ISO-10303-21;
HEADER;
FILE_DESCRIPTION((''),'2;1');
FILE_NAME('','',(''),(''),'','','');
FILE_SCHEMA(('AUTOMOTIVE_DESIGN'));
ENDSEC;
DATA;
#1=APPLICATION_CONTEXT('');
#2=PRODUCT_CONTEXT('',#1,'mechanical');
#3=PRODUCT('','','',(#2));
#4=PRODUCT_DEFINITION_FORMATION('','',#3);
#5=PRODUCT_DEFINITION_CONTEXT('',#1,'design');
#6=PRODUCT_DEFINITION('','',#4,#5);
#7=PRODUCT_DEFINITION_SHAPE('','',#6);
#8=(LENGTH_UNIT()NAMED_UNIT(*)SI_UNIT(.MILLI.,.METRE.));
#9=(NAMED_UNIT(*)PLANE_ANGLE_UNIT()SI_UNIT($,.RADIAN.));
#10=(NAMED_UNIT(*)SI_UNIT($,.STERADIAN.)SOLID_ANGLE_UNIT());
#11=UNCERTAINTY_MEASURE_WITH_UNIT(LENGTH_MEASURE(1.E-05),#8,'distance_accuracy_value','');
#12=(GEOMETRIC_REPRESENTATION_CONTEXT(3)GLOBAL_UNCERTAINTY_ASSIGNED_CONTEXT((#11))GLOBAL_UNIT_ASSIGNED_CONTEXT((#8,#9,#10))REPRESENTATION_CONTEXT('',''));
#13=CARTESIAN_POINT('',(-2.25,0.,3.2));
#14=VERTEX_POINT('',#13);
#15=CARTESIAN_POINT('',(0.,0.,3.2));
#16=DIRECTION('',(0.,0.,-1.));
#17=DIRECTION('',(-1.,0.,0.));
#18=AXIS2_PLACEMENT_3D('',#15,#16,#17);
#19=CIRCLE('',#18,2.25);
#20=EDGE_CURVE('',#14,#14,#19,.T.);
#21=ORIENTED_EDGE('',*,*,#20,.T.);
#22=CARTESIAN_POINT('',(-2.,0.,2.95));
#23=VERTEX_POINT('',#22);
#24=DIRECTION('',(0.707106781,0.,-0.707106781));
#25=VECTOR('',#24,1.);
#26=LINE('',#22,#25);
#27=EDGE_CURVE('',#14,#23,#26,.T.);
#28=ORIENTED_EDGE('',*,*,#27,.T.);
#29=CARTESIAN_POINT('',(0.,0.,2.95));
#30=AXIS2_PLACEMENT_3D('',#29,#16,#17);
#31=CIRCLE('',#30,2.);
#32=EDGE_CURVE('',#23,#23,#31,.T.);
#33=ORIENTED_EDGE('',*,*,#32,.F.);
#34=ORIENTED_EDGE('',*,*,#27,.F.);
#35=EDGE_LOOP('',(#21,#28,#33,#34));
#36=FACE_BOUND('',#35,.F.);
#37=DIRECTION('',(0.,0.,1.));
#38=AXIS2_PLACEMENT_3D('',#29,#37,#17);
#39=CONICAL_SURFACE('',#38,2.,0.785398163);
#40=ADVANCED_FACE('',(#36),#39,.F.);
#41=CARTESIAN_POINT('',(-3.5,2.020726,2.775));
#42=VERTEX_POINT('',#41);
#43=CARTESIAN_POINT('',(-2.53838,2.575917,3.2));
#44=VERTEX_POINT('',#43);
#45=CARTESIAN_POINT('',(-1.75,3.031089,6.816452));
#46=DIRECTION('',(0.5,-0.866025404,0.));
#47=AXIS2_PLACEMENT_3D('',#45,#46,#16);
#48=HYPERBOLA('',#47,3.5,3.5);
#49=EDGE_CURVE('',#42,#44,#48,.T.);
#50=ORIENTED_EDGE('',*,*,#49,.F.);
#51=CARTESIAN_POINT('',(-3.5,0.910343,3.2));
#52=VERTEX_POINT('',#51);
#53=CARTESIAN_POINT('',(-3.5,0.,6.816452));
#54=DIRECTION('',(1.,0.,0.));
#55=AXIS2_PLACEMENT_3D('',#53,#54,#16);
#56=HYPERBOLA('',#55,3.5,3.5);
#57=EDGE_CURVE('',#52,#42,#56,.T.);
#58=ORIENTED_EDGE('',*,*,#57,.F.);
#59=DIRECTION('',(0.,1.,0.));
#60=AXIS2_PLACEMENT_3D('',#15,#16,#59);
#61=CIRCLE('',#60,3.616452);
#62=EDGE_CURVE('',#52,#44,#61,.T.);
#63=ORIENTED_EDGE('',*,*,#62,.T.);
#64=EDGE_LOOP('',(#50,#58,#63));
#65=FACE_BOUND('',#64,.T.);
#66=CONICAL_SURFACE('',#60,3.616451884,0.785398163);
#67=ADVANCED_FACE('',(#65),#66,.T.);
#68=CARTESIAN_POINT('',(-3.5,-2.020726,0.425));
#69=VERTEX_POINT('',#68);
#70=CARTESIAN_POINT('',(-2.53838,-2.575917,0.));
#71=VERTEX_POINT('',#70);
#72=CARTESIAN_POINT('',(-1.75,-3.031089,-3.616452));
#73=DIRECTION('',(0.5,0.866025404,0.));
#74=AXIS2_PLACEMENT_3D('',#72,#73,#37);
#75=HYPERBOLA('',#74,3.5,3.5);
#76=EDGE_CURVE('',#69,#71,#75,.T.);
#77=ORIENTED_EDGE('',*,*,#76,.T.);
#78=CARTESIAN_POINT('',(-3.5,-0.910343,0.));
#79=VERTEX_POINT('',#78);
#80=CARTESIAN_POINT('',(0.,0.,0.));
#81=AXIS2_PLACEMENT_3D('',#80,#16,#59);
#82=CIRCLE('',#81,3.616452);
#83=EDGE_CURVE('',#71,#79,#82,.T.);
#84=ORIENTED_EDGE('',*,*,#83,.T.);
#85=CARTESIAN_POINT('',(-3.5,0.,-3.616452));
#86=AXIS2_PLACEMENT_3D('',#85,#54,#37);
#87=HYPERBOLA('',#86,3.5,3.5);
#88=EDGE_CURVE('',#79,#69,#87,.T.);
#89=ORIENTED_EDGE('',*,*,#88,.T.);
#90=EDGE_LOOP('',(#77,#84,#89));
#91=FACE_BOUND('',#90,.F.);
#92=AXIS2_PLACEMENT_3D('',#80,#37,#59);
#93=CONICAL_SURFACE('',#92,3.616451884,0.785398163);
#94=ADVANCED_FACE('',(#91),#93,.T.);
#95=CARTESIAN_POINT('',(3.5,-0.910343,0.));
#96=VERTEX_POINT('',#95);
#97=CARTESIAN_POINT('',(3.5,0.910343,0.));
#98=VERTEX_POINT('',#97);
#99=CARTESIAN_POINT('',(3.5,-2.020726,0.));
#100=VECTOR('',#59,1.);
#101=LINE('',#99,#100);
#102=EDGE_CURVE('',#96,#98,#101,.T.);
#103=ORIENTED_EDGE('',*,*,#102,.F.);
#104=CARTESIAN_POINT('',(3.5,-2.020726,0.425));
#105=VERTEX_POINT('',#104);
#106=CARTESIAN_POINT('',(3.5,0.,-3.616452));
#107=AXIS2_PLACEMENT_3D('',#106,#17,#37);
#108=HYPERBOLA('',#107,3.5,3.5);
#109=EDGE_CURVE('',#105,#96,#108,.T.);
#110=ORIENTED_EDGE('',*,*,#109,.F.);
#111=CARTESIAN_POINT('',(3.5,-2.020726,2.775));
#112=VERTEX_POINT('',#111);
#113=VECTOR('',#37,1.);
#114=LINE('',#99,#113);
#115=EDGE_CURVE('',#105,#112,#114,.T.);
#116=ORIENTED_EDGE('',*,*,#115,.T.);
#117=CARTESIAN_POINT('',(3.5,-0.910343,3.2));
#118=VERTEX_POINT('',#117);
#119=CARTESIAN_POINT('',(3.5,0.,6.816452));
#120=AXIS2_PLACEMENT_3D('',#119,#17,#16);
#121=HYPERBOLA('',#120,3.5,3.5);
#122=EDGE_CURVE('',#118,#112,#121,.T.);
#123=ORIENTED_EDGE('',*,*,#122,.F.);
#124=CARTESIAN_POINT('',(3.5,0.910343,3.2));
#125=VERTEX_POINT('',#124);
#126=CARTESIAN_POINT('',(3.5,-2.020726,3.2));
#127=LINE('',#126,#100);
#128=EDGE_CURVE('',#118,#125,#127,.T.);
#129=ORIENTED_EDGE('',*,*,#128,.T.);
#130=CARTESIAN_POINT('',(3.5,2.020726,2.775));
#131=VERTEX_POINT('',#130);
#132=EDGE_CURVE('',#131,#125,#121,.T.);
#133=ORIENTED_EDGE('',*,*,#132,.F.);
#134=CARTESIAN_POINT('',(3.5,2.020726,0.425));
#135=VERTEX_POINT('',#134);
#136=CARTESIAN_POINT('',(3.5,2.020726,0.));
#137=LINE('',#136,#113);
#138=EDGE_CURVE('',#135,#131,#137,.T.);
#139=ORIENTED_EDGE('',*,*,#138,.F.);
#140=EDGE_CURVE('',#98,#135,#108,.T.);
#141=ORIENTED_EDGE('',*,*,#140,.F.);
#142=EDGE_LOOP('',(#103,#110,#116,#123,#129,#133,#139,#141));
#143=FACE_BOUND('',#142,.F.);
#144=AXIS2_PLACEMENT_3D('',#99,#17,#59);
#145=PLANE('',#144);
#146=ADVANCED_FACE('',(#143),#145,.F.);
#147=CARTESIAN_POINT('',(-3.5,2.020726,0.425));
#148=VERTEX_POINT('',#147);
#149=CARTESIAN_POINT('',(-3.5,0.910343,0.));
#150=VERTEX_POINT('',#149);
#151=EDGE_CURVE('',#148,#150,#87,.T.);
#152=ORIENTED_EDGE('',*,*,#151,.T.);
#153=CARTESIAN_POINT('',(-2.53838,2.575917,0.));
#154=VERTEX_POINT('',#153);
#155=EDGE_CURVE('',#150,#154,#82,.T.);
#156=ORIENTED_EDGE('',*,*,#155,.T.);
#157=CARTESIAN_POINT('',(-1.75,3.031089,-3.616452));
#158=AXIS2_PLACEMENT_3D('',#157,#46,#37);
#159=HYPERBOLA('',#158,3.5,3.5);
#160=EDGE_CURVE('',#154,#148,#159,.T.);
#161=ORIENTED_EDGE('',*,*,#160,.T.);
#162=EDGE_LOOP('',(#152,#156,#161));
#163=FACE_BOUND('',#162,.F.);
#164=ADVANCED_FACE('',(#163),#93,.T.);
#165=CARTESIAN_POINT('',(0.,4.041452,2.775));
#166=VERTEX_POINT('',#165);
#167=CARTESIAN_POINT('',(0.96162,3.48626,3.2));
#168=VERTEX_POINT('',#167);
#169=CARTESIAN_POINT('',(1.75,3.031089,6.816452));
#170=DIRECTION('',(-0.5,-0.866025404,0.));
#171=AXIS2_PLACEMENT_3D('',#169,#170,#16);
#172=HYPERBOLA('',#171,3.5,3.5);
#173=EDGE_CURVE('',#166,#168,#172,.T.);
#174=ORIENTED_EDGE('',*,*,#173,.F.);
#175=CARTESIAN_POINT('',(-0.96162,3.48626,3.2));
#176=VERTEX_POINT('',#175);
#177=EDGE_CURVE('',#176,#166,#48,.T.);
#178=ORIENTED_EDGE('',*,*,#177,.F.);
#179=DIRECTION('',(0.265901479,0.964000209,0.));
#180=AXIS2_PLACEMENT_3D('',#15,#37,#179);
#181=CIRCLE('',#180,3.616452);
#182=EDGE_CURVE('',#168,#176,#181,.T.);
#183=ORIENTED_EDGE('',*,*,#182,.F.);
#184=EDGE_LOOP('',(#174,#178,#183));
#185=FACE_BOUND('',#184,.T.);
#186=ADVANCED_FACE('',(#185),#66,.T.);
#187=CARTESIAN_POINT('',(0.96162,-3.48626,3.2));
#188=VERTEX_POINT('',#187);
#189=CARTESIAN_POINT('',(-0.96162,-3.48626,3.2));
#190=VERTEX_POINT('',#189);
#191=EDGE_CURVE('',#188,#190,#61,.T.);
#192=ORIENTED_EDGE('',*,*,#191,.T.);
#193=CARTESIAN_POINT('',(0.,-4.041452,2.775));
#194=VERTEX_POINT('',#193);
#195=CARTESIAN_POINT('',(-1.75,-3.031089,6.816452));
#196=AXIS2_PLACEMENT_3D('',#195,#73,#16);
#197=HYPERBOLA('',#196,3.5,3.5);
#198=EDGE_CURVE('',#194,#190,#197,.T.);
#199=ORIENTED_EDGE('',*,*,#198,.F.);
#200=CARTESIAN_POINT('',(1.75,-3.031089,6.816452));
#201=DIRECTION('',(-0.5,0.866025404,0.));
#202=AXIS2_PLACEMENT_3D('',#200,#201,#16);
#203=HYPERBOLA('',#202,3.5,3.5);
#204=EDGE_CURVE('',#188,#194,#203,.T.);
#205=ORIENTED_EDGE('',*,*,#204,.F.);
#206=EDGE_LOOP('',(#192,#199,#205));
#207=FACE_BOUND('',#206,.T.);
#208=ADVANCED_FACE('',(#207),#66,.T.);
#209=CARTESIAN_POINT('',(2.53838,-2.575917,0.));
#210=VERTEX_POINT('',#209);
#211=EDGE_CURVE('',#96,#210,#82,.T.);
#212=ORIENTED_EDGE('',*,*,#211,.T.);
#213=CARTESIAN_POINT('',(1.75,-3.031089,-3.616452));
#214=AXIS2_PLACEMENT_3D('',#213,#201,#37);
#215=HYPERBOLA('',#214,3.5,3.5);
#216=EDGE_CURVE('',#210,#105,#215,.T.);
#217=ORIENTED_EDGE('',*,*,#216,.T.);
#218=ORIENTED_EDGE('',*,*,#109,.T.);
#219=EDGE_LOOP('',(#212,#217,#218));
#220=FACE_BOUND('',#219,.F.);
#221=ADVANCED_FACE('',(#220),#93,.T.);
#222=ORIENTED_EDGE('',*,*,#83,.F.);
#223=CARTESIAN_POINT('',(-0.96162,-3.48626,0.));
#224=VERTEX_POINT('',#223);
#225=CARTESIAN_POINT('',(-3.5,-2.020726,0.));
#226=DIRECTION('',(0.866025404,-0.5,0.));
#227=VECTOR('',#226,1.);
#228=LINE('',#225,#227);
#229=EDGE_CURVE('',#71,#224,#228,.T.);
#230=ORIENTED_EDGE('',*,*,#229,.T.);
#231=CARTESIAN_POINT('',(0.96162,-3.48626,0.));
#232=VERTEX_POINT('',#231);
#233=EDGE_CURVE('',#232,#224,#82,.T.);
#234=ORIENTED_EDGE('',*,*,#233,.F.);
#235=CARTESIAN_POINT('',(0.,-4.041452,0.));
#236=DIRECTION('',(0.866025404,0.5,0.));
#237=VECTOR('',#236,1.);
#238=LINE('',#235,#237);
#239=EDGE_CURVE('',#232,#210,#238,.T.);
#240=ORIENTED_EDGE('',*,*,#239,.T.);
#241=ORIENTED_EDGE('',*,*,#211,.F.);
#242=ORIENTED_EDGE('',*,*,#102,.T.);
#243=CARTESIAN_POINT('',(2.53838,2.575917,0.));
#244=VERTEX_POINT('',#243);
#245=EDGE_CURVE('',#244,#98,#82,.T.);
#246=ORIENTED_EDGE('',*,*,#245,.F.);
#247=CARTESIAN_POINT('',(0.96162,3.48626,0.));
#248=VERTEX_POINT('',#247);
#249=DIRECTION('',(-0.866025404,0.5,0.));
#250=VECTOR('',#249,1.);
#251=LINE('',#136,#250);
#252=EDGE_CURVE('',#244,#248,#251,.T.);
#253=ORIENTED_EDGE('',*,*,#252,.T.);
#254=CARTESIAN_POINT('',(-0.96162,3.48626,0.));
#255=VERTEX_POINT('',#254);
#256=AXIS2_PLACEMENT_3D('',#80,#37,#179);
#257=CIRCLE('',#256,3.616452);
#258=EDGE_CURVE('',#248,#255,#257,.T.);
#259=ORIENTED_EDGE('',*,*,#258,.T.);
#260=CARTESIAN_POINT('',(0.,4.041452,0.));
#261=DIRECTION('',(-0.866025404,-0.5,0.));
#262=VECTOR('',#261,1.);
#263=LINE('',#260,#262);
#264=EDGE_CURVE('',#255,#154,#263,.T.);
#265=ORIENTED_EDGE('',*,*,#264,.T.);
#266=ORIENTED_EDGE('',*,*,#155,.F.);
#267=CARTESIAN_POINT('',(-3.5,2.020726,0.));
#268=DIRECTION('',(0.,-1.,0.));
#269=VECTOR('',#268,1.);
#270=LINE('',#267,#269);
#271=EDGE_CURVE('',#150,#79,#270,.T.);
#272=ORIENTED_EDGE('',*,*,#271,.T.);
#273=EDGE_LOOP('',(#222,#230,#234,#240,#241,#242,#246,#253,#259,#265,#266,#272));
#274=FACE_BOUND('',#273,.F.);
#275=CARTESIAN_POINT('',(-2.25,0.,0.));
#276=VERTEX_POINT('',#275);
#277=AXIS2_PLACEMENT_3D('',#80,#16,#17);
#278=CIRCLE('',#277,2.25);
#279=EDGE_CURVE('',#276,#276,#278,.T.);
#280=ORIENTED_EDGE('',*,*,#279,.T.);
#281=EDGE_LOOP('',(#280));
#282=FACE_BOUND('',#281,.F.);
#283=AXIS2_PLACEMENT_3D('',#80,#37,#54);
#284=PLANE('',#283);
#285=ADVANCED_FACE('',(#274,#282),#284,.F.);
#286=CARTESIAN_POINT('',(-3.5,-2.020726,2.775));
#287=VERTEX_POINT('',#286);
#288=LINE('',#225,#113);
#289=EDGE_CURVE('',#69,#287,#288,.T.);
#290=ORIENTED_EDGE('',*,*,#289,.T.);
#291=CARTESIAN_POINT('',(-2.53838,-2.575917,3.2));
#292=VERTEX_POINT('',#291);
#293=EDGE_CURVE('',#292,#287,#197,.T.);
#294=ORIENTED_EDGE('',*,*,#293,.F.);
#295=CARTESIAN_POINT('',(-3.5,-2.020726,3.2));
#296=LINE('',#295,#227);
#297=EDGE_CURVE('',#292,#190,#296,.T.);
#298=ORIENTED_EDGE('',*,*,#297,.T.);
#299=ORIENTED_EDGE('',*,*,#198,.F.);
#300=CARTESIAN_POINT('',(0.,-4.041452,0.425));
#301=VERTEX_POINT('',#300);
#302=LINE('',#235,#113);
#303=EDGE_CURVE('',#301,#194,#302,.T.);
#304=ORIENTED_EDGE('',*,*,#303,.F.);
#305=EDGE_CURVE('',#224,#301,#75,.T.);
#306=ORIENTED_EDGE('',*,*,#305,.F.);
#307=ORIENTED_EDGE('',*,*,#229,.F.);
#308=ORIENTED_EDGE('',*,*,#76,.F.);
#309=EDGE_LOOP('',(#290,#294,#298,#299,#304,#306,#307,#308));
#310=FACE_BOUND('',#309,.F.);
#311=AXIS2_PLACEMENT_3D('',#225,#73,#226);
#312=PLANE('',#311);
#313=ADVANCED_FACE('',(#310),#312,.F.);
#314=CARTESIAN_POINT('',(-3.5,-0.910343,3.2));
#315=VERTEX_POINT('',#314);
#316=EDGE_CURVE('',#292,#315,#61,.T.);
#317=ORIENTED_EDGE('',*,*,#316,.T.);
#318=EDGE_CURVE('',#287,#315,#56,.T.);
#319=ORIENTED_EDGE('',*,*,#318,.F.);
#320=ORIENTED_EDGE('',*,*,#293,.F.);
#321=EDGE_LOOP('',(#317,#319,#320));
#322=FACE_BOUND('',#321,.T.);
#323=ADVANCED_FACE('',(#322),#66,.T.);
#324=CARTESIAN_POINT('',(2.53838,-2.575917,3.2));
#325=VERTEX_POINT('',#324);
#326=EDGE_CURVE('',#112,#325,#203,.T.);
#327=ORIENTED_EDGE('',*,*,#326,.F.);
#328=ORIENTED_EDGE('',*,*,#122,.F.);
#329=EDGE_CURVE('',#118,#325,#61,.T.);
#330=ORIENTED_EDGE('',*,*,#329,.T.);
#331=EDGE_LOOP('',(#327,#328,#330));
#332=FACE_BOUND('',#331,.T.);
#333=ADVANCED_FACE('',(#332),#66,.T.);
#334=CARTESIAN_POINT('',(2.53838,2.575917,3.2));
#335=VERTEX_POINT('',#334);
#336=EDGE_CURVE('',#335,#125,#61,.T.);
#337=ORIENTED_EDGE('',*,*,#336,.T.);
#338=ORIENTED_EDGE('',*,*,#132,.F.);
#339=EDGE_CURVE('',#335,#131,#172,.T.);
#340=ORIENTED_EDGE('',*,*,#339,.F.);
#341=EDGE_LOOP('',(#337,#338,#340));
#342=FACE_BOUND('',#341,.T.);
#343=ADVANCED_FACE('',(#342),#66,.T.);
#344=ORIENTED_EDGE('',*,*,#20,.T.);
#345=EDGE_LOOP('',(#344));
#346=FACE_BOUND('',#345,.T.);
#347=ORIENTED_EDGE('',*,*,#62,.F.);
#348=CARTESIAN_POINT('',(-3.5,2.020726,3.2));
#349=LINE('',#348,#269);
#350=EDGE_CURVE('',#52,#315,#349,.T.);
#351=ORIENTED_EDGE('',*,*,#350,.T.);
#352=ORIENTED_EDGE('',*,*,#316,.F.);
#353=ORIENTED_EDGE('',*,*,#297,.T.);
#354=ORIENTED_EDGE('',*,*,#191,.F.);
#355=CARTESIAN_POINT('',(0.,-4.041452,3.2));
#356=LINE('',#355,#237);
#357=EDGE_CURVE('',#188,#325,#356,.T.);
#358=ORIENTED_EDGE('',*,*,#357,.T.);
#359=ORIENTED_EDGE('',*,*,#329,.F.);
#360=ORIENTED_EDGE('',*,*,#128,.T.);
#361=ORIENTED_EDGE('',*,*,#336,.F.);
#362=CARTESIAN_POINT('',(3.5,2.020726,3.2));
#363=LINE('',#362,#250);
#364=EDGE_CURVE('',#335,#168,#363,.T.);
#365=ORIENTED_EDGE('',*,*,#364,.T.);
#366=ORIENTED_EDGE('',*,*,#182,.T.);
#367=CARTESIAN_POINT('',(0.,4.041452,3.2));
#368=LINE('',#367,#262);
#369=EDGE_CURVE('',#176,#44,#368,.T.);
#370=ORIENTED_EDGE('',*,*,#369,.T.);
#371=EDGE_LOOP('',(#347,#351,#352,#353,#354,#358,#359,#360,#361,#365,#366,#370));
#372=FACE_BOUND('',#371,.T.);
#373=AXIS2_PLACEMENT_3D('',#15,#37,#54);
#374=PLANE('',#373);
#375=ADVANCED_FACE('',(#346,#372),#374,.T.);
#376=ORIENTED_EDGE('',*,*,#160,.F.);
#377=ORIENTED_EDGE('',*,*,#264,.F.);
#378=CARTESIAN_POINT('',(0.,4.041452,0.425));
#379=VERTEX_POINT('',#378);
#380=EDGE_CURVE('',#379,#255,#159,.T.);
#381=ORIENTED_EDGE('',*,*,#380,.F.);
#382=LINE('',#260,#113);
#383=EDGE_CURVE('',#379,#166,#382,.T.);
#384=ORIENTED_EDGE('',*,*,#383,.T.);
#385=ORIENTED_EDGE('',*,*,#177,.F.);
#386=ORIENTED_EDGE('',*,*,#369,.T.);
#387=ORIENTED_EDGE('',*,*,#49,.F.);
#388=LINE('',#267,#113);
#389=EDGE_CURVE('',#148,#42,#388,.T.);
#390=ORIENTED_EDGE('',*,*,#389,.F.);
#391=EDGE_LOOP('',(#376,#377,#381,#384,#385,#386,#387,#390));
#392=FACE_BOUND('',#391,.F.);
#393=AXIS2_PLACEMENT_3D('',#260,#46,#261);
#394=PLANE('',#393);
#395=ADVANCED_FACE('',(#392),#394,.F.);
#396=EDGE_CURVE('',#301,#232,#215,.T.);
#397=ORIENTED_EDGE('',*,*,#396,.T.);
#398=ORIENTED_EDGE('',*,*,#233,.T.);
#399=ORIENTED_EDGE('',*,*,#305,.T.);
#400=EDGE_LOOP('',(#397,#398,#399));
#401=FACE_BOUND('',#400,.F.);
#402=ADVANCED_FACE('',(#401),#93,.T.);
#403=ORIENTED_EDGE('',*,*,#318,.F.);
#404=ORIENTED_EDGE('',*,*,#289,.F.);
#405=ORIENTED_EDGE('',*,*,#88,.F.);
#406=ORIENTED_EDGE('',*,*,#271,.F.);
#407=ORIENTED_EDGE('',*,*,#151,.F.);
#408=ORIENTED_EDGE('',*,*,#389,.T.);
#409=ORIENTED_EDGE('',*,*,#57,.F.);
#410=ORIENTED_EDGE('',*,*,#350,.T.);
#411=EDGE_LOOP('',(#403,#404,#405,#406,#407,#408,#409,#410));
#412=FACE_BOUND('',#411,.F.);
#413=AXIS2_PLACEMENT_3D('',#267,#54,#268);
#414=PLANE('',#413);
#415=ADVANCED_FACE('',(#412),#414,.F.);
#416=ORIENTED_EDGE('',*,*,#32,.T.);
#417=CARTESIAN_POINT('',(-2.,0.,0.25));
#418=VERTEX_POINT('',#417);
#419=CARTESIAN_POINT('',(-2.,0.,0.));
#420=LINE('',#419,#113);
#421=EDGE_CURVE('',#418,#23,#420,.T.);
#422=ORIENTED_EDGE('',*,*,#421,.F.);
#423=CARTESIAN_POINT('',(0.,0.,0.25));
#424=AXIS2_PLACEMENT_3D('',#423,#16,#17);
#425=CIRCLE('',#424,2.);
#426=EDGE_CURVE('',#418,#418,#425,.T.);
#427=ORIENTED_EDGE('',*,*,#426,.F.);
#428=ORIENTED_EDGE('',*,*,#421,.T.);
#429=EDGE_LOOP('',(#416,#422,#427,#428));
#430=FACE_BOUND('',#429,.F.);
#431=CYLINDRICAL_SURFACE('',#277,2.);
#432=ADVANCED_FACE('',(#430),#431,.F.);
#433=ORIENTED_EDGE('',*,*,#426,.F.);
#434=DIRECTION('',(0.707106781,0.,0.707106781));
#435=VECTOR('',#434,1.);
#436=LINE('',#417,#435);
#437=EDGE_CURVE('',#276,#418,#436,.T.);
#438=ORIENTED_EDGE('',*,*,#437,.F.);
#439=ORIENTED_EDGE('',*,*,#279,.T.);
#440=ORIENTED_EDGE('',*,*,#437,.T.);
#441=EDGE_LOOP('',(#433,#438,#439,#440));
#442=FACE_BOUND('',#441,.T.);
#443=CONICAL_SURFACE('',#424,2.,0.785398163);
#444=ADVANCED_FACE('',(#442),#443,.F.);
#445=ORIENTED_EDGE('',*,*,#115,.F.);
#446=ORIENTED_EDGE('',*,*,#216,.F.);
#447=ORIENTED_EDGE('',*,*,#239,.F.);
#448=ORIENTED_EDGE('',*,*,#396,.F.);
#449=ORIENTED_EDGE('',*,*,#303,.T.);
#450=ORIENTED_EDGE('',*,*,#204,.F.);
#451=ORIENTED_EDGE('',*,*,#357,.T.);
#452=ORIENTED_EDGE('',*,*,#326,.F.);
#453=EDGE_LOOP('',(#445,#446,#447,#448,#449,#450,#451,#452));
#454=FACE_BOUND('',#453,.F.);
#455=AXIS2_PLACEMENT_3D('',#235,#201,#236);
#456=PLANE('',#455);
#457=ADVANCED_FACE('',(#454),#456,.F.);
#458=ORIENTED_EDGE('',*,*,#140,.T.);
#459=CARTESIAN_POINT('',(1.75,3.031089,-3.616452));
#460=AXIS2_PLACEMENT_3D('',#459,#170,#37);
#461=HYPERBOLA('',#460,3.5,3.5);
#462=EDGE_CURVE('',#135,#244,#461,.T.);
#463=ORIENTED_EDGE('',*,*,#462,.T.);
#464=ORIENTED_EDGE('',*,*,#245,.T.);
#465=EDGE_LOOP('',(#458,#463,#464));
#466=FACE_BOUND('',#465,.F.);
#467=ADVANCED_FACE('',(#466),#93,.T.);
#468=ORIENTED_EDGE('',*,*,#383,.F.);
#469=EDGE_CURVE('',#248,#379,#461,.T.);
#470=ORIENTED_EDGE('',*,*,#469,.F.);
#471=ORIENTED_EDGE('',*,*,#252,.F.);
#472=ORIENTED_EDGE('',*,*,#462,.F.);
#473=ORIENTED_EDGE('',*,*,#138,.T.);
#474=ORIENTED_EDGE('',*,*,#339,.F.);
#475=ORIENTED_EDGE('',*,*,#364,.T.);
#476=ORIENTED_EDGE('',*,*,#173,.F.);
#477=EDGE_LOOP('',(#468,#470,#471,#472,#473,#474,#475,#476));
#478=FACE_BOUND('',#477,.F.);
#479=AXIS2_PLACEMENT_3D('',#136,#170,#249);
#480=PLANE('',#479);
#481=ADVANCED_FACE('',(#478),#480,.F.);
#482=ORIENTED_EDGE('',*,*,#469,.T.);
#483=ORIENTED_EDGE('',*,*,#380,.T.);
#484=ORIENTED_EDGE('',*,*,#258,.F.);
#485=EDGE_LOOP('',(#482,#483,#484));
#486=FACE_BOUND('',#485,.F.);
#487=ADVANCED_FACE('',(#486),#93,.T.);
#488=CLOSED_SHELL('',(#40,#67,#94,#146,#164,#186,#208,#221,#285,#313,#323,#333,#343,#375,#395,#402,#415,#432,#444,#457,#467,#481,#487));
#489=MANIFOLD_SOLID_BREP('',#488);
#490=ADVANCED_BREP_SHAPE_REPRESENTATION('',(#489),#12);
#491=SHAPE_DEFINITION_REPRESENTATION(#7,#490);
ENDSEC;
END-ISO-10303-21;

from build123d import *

# Parameters (mm, degrees)
EXTRUDE_1_DEPTH     = 3.2
SKETCH_2_R          = 2
CUT_EXTRUDE_1_DEPTH = 7.23083729
CHAMFER_1_SIZE      = 0.25


with BuildPart() as part:
    # Эскиз1 → Вытянуть1 (new body)
    with BuildSketch(Plane.XY):
        Polygon((0, 4.041451884), (-3.5, 2.020725942), (-3.5, -2.020725942), (0, -4.041451884), (3.5, -2.020725942), (3.5, 2.020725942), align=None)
    extrude(amount=EXTRUDE_1_DEPTH)

    # Эскиз15 → Вырез-Повернуть1 (revolve, cut)
    with BuildSketch(Plane(origin=(0, 0, 0), x_dir=(0, 0, -1), z_dir=(1, 0, 0))):
        Polygon((-3.2, 4.041451884), (-3.2, 3.616451884), (-2.775, 4.041451884), align=None)
        Polygon((-0.425, 4.041451884), (0, 4.041451884), (0, 3.616451884), align=None)
    revolve(axis=Axis((0, 0, 2.633835381), (0, 0, -1)), mode=Mode.SUBTRACT)

    # Эскиз2 → Вырез-Вытянуть1 (cut, through all)
    with BuildSketch(Plane(origin=(0, 0, 0), x_dir=(-1, 0, 0), z_dir=(0, 0, -1))):
        Circle(SKETCH_2_R)
    extrude(amount=-CUT_EXTRUDE_1_DEPTH, mode=Mode.SUBTRACT)

    # Фаска1
    chamfer_1_edges = [part.edges().sort_by_distance(p)[0] for p in [
        (2, 0, 3.2),
        (2, 0, 0),
    ]]
    chamfer(chamfer_1_edges, length=CHAMFER_1_SIZE)


solid = part.part
